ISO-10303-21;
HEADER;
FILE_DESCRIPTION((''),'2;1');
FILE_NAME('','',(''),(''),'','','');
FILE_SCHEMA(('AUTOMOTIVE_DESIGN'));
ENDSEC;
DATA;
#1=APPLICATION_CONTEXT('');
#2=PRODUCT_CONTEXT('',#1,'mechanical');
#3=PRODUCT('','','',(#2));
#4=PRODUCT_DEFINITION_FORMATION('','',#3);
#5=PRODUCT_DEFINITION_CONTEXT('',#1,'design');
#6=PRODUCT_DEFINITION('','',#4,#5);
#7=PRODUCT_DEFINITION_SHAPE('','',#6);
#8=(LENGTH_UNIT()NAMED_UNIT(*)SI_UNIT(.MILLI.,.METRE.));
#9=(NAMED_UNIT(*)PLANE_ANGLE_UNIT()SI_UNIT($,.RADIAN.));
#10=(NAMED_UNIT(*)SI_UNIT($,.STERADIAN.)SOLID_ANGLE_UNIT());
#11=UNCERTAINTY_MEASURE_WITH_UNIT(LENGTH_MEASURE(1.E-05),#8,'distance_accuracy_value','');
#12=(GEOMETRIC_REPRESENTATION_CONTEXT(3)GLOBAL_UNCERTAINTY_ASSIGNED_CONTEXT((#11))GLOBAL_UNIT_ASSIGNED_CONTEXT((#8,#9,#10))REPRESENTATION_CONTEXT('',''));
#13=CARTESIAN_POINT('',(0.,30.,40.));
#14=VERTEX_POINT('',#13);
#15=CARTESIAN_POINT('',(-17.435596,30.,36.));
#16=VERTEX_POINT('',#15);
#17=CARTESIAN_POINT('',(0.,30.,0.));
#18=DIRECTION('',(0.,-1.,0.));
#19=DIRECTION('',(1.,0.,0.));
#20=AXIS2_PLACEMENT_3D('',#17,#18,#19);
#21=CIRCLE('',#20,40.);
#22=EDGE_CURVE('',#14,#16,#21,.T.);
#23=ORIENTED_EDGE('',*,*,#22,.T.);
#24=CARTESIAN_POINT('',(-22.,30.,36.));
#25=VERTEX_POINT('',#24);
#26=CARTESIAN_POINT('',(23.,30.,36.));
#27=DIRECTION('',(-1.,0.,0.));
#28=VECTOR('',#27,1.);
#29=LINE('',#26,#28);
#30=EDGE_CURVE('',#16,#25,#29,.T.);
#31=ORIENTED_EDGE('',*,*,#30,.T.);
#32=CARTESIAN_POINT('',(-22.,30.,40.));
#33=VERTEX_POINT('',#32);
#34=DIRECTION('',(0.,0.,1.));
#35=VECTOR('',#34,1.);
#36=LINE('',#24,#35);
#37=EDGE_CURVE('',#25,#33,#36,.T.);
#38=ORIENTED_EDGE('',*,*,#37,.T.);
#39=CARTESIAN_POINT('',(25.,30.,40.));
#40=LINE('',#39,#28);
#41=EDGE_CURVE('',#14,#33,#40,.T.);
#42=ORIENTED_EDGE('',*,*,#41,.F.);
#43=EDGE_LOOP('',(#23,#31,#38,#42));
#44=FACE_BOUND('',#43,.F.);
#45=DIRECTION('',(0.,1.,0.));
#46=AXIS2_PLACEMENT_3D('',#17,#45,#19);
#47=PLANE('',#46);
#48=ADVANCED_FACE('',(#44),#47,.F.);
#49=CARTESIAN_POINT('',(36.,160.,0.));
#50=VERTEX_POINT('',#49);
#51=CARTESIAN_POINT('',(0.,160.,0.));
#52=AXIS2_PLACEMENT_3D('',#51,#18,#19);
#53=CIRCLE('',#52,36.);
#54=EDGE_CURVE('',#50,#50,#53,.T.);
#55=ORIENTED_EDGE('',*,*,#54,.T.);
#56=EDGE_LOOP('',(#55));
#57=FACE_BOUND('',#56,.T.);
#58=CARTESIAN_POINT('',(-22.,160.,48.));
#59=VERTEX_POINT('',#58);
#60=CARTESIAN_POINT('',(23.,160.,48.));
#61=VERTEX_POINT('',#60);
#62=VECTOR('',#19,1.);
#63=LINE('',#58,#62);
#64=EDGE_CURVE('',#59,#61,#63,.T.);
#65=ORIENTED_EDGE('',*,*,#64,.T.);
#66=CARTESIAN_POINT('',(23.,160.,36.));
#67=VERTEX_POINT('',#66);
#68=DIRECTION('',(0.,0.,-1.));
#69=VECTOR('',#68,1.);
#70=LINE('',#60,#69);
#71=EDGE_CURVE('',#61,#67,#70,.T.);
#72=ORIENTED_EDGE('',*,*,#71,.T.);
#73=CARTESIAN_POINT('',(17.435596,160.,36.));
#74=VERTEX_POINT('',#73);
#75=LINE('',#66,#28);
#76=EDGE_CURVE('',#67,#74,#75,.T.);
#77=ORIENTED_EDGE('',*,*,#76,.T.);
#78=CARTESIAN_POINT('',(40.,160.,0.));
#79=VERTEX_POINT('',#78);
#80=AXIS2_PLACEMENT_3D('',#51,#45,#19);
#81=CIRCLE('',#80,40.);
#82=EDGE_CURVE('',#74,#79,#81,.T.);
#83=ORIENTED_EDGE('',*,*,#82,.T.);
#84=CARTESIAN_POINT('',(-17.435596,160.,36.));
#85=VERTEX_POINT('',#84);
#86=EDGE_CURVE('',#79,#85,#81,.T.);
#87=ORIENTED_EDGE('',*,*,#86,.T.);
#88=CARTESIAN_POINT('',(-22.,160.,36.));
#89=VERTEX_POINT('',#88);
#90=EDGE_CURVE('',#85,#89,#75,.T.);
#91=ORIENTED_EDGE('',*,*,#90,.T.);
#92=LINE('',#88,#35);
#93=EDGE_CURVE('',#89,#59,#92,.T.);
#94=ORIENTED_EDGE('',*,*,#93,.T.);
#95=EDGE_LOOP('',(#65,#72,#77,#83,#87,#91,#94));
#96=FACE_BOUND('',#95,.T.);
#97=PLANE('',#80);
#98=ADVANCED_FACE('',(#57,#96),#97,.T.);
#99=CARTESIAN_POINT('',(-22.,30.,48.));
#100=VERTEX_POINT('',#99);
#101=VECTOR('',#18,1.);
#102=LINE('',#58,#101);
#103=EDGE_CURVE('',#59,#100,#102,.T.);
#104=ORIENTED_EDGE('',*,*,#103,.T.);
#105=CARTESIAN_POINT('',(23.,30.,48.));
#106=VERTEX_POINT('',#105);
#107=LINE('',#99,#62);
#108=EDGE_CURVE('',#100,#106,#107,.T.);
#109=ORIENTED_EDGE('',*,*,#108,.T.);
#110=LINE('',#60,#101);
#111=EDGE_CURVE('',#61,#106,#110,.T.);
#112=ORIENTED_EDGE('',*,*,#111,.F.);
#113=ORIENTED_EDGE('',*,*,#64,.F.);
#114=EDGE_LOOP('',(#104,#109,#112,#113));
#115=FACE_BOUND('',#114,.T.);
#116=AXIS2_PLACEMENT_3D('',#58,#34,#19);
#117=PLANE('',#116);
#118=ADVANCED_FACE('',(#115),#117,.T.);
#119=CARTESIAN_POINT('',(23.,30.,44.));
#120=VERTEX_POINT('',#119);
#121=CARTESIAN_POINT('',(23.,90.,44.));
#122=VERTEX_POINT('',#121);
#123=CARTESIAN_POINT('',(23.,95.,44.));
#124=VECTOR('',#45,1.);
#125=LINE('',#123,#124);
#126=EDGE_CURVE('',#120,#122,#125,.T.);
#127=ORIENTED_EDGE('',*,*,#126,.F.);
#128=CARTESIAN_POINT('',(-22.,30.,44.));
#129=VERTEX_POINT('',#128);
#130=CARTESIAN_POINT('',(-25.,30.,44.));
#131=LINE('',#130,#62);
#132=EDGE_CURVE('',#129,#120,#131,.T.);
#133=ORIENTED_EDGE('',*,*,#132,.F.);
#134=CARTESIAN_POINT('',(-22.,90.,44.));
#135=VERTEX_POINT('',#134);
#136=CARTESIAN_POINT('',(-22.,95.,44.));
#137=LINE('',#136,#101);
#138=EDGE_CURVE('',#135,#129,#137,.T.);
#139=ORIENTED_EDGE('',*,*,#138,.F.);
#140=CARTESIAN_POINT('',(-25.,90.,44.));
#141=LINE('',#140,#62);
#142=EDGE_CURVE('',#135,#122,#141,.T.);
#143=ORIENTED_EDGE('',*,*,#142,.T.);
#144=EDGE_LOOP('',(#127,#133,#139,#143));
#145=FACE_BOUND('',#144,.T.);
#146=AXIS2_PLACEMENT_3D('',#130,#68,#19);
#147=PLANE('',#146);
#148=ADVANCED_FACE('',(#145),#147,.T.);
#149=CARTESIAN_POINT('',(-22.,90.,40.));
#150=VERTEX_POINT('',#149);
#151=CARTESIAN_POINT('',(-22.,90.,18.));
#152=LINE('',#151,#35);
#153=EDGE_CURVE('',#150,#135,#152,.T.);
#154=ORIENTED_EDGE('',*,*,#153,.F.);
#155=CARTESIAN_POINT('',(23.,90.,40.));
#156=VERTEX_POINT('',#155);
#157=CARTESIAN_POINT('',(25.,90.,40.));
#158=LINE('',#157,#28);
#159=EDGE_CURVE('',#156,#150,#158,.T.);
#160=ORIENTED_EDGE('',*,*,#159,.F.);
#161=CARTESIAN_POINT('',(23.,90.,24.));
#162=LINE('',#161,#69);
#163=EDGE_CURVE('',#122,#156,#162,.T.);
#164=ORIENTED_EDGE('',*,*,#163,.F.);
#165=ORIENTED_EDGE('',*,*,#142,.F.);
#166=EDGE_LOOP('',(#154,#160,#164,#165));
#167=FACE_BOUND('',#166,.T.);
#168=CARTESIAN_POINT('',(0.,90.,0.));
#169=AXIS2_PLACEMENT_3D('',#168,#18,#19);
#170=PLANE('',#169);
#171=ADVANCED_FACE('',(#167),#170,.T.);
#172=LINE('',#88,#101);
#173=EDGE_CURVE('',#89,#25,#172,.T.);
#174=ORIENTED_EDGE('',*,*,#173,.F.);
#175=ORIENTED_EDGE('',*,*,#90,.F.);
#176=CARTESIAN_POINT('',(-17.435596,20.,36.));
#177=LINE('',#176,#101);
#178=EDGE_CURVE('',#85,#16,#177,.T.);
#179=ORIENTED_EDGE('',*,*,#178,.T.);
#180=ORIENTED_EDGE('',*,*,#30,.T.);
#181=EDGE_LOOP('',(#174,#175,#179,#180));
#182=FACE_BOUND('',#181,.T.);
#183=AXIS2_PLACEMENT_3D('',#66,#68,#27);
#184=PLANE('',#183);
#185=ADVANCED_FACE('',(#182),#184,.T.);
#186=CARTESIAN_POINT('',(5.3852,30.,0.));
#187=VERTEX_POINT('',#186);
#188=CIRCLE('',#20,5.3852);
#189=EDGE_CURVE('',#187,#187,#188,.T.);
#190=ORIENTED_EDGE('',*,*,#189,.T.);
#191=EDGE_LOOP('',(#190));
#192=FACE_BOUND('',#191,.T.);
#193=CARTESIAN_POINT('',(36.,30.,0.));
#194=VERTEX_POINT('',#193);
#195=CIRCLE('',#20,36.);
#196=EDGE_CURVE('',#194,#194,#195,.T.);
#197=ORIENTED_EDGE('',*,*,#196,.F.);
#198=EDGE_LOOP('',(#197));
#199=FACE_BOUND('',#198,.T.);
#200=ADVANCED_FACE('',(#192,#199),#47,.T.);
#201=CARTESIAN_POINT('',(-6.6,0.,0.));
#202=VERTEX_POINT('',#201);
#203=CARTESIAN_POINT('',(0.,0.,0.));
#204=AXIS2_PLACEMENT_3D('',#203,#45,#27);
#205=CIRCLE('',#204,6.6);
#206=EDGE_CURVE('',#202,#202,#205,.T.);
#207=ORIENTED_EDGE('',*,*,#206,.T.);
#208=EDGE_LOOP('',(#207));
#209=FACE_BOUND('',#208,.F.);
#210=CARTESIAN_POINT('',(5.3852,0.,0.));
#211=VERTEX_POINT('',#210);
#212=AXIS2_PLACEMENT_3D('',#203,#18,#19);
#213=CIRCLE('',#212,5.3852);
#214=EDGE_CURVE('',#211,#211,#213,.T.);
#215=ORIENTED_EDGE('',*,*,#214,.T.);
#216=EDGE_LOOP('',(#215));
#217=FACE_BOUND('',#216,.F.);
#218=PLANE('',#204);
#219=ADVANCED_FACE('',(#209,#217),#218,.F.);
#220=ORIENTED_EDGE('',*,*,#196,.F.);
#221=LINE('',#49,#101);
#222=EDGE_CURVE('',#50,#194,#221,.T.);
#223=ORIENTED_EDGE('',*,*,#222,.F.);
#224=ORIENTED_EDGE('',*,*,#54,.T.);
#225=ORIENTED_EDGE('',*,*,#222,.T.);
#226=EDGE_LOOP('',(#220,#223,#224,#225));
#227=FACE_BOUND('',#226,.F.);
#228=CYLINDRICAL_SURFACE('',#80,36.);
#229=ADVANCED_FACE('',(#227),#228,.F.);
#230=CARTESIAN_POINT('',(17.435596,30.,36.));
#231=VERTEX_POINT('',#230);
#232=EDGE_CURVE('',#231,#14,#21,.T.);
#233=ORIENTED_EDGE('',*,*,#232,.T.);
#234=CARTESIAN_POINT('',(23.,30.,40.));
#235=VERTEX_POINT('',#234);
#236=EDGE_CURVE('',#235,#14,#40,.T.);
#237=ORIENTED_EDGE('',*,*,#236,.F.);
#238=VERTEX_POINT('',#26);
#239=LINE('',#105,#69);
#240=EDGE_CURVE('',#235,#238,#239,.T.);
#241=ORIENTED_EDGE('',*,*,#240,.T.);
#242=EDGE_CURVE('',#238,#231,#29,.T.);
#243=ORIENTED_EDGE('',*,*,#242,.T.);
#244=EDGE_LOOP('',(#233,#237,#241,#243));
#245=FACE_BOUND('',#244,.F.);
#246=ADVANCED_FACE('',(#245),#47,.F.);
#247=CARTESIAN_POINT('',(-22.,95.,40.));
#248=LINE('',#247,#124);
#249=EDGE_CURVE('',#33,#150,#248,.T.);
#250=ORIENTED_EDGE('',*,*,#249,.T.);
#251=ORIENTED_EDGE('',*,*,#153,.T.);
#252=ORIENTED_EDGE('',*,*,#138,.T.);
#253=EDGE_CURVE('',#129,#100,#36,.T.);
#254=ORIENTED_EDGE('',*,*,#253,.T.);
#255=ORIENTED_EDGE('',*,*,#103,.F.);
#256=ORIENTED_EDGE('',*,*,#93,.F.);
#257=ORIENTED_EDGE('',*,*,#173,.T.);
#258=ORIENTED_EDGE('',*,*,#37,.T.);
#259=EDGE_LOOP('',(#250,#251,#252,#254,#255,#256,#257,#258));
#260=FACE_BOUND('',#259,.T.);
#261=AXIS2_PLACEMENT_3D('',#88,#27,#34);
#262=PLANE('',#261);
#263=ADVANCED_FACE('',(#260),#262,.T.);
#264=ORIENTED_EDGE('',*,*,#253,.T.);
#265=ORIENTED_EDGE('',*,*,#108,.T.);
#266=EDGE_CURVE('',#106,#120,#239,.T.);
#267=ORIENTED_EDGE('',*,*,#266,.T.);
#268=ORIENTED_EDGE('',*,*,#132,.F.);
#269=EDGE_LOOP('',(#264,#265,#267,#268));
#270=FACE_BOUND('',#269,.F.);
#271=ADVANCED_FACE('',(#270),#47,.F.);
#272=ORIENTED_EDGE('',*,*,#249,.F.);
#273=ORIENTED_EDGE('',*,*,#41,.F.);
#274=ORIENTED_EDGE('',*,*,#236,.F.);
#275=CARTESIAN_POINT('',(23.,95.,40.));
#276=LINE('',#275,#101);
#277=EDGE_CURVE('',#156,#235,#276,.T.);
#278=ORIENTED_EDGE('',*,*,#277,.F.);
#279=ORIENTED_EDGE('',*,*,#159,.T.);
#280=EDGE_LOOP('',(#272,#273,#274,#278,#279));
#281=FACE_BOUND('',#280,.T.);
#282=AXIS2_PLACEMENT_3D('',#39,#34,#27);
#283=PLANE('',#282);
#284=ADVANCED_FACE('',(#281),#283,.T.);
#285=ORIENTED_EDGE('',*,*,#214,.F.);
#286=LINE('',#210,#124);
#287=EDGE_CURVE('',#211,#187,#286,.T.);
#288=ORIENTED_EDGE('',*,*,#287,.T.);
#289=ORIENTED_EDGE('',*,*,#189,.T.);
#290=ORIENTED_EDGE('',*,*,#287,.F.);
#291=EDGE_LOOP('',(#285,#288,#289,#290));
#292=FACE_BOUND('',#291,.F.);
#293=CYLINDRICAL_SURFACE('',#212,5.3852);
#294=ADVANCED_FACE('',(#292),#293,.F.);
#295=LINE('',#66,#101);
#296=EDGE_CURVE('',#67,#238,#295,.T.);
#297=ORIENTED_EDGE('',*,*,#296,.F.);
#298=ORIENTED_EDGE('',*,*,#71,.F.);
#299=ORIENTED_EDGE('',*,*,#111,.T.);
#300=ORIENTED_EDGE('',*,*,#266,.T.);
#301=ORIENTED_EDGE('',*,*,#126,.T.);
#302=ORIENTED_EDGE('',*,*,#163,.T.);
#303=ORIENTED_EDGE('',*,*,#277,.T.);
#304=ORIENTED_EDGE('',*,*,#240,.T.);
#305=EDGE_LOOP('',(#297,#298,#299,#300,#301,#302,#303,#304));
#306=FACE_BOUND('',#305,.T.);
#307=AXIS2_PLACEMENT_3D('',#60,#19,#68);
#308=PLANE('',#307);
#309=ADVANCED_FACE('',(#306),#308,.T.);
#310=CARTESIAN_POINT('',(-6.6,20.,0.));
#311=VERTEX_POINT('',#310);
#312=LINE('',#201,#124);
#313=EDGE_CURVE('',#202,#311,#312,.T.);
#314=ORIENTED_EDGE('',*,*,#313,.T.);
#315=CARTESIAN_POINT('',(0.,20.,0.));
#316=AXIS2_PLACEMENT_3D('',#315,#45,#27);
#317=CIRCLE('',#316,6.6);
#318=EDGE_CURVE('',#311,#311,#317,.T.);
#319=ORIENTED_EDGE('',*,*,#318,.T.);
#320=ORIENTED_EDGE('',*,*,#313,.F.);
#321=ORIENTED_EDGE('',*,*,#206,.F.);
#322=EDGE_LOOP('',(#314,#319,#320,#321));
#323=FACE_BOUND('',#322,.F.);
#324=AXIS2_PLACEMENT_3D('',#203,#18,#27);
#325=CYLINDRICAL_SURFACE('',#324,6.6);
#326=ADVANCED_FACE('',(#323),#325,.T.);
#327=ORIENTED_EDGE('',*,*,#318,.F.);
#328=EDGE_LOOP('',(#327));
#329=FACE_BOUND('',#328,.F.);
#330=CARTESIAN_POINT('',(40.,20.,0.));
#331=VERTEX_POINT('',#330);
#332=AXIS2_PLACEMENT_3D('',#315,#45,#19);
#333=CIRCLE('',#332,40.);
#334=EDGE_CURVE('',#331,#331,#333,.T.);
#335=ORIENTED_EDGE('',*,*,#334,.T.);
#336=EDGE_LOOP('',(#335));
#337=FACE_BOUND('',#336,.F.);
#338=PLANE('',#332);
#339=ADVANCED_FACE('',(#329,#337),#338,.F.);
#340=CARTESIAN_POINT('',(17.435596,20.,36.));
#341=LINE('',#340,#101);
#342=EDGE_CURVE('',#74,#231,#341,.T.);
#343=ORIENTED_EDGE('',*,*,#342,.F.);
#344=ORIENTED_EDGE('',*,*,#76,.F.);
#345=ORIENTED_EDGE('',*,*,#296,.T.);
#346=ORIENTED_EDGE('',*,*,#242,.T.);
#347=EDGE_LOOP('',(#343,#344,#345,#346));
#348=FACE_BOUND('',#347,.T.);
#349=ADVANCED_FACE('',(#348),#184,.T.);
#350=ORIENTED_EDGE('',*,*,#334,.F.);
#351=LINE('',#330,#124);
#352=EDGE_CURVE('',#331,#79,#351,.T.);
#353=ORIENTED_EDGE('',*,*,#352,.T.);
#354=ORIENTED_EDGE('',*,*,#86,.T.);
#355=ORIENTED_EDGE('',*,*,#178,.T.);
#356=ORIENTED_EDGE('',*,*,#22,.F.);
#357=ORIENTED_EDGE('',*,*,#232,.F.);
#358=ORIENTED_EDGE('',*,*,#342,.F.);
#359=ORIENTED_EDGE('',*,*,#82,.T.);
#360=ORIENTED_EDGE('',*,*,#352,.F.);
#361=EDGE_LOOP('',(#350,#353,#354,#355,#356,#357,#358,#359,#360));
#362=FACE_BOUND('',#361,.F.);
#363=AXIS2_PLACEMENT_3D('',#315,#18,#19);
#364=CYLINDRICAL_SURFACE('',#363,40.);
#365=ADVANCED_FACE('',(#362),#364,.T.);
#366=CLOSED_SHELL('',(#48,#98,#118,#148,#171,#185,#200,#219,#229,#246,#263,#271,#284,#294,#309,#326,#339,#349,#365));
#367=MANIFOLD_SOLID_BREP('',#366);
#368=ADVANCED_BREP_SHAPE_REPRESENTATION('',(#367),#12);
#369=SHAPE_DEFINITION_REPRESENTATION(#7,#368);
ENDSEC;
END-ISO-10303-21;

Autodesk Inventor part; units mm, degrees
ref_plane "YZ Plane" through (0, 0, 0) normal (1, 0, 0) x (0, 1, 0)
ref_plane "XZ Plane" through (0, 0, 0) normal (0, 1, 0) x (-1, 0, 0)
ref_plane "XY Plane" through (0, 0, 0) normal (0, 0, 1) x (1, 0, 0)
sketch "Sketch1" plane through (0, 0, 0) normal (0, 1, 0) x (-1, 0, 0)
  circle A0 centre (0, 0) radius 6.6
  dimension "d0" = 13.2
extrude "Extrusion1" add sketch "Sketch1" along normal blind 20
sketch "Sketch3" plane through (0, 20, 0) normal (0, 1, 0) x (1, 0, 0)
  circle A0 centre (0, 0) radius 40
  dimension "d4" = 80
extrude "Extrusion2" add sketch "Sketch3" along normal blind 140
sketch "Sketch4" plane through (0, 160, 0) normal (0, 1, 0) x (1, 0, 0)
  circle A0 centre (0, 0) radius 36
  circle A1 centre (0, 0) radius 40 projected
  dimension "d7" = 72
extrude "Extrusion3" cut sketch "Sketch4" against normal blind 130 contours A0
sketch "Sketch5" plane through (0, 0, 0) normal (0, -1, 0) x (1, 0, 0)
  circle A0 centre (0, 0) radius 5.3852
  circle A1 centre (0, 0) radius 6.6 projected
extrude "Extrusion4" cut sketch "Sketch5" against normal blind 130 contours A0
sketch "Sketch6" plane through (0, 160, 0) normal (0, 1, 0) x (1, 0, 0)
  line L0 (23, -36) -> (-22, -36)
  line L1 (-22, -36) -> (-22, -48)
  line L2 (-22, -48) -> (23, -48)
  line L3 (23, -48) -> (23, -36)
  point P0 (0, 0)
extrude "Extrusion5" add sketch "Sketch6" against normal blind 130
sketch "Sketch7" plane through (0, 30, 0) normal (0, -1, 0) x (1, 0, 0)
  line L0 (-25, 44) -> (25, 44)
  line L1 (25, 44) -> (25, 40)
  line L2 (25, 40) -> (-25, 40)
  line L3 (-25, 40) -> (-25, 44)
  line L4 (23, 48) -> (-22, 48) projected
  point P0 (0, 0)
  dimension "d17" = 4
extrude "Extrusion6" cut sketch "Sketch7" against normal blind 60
